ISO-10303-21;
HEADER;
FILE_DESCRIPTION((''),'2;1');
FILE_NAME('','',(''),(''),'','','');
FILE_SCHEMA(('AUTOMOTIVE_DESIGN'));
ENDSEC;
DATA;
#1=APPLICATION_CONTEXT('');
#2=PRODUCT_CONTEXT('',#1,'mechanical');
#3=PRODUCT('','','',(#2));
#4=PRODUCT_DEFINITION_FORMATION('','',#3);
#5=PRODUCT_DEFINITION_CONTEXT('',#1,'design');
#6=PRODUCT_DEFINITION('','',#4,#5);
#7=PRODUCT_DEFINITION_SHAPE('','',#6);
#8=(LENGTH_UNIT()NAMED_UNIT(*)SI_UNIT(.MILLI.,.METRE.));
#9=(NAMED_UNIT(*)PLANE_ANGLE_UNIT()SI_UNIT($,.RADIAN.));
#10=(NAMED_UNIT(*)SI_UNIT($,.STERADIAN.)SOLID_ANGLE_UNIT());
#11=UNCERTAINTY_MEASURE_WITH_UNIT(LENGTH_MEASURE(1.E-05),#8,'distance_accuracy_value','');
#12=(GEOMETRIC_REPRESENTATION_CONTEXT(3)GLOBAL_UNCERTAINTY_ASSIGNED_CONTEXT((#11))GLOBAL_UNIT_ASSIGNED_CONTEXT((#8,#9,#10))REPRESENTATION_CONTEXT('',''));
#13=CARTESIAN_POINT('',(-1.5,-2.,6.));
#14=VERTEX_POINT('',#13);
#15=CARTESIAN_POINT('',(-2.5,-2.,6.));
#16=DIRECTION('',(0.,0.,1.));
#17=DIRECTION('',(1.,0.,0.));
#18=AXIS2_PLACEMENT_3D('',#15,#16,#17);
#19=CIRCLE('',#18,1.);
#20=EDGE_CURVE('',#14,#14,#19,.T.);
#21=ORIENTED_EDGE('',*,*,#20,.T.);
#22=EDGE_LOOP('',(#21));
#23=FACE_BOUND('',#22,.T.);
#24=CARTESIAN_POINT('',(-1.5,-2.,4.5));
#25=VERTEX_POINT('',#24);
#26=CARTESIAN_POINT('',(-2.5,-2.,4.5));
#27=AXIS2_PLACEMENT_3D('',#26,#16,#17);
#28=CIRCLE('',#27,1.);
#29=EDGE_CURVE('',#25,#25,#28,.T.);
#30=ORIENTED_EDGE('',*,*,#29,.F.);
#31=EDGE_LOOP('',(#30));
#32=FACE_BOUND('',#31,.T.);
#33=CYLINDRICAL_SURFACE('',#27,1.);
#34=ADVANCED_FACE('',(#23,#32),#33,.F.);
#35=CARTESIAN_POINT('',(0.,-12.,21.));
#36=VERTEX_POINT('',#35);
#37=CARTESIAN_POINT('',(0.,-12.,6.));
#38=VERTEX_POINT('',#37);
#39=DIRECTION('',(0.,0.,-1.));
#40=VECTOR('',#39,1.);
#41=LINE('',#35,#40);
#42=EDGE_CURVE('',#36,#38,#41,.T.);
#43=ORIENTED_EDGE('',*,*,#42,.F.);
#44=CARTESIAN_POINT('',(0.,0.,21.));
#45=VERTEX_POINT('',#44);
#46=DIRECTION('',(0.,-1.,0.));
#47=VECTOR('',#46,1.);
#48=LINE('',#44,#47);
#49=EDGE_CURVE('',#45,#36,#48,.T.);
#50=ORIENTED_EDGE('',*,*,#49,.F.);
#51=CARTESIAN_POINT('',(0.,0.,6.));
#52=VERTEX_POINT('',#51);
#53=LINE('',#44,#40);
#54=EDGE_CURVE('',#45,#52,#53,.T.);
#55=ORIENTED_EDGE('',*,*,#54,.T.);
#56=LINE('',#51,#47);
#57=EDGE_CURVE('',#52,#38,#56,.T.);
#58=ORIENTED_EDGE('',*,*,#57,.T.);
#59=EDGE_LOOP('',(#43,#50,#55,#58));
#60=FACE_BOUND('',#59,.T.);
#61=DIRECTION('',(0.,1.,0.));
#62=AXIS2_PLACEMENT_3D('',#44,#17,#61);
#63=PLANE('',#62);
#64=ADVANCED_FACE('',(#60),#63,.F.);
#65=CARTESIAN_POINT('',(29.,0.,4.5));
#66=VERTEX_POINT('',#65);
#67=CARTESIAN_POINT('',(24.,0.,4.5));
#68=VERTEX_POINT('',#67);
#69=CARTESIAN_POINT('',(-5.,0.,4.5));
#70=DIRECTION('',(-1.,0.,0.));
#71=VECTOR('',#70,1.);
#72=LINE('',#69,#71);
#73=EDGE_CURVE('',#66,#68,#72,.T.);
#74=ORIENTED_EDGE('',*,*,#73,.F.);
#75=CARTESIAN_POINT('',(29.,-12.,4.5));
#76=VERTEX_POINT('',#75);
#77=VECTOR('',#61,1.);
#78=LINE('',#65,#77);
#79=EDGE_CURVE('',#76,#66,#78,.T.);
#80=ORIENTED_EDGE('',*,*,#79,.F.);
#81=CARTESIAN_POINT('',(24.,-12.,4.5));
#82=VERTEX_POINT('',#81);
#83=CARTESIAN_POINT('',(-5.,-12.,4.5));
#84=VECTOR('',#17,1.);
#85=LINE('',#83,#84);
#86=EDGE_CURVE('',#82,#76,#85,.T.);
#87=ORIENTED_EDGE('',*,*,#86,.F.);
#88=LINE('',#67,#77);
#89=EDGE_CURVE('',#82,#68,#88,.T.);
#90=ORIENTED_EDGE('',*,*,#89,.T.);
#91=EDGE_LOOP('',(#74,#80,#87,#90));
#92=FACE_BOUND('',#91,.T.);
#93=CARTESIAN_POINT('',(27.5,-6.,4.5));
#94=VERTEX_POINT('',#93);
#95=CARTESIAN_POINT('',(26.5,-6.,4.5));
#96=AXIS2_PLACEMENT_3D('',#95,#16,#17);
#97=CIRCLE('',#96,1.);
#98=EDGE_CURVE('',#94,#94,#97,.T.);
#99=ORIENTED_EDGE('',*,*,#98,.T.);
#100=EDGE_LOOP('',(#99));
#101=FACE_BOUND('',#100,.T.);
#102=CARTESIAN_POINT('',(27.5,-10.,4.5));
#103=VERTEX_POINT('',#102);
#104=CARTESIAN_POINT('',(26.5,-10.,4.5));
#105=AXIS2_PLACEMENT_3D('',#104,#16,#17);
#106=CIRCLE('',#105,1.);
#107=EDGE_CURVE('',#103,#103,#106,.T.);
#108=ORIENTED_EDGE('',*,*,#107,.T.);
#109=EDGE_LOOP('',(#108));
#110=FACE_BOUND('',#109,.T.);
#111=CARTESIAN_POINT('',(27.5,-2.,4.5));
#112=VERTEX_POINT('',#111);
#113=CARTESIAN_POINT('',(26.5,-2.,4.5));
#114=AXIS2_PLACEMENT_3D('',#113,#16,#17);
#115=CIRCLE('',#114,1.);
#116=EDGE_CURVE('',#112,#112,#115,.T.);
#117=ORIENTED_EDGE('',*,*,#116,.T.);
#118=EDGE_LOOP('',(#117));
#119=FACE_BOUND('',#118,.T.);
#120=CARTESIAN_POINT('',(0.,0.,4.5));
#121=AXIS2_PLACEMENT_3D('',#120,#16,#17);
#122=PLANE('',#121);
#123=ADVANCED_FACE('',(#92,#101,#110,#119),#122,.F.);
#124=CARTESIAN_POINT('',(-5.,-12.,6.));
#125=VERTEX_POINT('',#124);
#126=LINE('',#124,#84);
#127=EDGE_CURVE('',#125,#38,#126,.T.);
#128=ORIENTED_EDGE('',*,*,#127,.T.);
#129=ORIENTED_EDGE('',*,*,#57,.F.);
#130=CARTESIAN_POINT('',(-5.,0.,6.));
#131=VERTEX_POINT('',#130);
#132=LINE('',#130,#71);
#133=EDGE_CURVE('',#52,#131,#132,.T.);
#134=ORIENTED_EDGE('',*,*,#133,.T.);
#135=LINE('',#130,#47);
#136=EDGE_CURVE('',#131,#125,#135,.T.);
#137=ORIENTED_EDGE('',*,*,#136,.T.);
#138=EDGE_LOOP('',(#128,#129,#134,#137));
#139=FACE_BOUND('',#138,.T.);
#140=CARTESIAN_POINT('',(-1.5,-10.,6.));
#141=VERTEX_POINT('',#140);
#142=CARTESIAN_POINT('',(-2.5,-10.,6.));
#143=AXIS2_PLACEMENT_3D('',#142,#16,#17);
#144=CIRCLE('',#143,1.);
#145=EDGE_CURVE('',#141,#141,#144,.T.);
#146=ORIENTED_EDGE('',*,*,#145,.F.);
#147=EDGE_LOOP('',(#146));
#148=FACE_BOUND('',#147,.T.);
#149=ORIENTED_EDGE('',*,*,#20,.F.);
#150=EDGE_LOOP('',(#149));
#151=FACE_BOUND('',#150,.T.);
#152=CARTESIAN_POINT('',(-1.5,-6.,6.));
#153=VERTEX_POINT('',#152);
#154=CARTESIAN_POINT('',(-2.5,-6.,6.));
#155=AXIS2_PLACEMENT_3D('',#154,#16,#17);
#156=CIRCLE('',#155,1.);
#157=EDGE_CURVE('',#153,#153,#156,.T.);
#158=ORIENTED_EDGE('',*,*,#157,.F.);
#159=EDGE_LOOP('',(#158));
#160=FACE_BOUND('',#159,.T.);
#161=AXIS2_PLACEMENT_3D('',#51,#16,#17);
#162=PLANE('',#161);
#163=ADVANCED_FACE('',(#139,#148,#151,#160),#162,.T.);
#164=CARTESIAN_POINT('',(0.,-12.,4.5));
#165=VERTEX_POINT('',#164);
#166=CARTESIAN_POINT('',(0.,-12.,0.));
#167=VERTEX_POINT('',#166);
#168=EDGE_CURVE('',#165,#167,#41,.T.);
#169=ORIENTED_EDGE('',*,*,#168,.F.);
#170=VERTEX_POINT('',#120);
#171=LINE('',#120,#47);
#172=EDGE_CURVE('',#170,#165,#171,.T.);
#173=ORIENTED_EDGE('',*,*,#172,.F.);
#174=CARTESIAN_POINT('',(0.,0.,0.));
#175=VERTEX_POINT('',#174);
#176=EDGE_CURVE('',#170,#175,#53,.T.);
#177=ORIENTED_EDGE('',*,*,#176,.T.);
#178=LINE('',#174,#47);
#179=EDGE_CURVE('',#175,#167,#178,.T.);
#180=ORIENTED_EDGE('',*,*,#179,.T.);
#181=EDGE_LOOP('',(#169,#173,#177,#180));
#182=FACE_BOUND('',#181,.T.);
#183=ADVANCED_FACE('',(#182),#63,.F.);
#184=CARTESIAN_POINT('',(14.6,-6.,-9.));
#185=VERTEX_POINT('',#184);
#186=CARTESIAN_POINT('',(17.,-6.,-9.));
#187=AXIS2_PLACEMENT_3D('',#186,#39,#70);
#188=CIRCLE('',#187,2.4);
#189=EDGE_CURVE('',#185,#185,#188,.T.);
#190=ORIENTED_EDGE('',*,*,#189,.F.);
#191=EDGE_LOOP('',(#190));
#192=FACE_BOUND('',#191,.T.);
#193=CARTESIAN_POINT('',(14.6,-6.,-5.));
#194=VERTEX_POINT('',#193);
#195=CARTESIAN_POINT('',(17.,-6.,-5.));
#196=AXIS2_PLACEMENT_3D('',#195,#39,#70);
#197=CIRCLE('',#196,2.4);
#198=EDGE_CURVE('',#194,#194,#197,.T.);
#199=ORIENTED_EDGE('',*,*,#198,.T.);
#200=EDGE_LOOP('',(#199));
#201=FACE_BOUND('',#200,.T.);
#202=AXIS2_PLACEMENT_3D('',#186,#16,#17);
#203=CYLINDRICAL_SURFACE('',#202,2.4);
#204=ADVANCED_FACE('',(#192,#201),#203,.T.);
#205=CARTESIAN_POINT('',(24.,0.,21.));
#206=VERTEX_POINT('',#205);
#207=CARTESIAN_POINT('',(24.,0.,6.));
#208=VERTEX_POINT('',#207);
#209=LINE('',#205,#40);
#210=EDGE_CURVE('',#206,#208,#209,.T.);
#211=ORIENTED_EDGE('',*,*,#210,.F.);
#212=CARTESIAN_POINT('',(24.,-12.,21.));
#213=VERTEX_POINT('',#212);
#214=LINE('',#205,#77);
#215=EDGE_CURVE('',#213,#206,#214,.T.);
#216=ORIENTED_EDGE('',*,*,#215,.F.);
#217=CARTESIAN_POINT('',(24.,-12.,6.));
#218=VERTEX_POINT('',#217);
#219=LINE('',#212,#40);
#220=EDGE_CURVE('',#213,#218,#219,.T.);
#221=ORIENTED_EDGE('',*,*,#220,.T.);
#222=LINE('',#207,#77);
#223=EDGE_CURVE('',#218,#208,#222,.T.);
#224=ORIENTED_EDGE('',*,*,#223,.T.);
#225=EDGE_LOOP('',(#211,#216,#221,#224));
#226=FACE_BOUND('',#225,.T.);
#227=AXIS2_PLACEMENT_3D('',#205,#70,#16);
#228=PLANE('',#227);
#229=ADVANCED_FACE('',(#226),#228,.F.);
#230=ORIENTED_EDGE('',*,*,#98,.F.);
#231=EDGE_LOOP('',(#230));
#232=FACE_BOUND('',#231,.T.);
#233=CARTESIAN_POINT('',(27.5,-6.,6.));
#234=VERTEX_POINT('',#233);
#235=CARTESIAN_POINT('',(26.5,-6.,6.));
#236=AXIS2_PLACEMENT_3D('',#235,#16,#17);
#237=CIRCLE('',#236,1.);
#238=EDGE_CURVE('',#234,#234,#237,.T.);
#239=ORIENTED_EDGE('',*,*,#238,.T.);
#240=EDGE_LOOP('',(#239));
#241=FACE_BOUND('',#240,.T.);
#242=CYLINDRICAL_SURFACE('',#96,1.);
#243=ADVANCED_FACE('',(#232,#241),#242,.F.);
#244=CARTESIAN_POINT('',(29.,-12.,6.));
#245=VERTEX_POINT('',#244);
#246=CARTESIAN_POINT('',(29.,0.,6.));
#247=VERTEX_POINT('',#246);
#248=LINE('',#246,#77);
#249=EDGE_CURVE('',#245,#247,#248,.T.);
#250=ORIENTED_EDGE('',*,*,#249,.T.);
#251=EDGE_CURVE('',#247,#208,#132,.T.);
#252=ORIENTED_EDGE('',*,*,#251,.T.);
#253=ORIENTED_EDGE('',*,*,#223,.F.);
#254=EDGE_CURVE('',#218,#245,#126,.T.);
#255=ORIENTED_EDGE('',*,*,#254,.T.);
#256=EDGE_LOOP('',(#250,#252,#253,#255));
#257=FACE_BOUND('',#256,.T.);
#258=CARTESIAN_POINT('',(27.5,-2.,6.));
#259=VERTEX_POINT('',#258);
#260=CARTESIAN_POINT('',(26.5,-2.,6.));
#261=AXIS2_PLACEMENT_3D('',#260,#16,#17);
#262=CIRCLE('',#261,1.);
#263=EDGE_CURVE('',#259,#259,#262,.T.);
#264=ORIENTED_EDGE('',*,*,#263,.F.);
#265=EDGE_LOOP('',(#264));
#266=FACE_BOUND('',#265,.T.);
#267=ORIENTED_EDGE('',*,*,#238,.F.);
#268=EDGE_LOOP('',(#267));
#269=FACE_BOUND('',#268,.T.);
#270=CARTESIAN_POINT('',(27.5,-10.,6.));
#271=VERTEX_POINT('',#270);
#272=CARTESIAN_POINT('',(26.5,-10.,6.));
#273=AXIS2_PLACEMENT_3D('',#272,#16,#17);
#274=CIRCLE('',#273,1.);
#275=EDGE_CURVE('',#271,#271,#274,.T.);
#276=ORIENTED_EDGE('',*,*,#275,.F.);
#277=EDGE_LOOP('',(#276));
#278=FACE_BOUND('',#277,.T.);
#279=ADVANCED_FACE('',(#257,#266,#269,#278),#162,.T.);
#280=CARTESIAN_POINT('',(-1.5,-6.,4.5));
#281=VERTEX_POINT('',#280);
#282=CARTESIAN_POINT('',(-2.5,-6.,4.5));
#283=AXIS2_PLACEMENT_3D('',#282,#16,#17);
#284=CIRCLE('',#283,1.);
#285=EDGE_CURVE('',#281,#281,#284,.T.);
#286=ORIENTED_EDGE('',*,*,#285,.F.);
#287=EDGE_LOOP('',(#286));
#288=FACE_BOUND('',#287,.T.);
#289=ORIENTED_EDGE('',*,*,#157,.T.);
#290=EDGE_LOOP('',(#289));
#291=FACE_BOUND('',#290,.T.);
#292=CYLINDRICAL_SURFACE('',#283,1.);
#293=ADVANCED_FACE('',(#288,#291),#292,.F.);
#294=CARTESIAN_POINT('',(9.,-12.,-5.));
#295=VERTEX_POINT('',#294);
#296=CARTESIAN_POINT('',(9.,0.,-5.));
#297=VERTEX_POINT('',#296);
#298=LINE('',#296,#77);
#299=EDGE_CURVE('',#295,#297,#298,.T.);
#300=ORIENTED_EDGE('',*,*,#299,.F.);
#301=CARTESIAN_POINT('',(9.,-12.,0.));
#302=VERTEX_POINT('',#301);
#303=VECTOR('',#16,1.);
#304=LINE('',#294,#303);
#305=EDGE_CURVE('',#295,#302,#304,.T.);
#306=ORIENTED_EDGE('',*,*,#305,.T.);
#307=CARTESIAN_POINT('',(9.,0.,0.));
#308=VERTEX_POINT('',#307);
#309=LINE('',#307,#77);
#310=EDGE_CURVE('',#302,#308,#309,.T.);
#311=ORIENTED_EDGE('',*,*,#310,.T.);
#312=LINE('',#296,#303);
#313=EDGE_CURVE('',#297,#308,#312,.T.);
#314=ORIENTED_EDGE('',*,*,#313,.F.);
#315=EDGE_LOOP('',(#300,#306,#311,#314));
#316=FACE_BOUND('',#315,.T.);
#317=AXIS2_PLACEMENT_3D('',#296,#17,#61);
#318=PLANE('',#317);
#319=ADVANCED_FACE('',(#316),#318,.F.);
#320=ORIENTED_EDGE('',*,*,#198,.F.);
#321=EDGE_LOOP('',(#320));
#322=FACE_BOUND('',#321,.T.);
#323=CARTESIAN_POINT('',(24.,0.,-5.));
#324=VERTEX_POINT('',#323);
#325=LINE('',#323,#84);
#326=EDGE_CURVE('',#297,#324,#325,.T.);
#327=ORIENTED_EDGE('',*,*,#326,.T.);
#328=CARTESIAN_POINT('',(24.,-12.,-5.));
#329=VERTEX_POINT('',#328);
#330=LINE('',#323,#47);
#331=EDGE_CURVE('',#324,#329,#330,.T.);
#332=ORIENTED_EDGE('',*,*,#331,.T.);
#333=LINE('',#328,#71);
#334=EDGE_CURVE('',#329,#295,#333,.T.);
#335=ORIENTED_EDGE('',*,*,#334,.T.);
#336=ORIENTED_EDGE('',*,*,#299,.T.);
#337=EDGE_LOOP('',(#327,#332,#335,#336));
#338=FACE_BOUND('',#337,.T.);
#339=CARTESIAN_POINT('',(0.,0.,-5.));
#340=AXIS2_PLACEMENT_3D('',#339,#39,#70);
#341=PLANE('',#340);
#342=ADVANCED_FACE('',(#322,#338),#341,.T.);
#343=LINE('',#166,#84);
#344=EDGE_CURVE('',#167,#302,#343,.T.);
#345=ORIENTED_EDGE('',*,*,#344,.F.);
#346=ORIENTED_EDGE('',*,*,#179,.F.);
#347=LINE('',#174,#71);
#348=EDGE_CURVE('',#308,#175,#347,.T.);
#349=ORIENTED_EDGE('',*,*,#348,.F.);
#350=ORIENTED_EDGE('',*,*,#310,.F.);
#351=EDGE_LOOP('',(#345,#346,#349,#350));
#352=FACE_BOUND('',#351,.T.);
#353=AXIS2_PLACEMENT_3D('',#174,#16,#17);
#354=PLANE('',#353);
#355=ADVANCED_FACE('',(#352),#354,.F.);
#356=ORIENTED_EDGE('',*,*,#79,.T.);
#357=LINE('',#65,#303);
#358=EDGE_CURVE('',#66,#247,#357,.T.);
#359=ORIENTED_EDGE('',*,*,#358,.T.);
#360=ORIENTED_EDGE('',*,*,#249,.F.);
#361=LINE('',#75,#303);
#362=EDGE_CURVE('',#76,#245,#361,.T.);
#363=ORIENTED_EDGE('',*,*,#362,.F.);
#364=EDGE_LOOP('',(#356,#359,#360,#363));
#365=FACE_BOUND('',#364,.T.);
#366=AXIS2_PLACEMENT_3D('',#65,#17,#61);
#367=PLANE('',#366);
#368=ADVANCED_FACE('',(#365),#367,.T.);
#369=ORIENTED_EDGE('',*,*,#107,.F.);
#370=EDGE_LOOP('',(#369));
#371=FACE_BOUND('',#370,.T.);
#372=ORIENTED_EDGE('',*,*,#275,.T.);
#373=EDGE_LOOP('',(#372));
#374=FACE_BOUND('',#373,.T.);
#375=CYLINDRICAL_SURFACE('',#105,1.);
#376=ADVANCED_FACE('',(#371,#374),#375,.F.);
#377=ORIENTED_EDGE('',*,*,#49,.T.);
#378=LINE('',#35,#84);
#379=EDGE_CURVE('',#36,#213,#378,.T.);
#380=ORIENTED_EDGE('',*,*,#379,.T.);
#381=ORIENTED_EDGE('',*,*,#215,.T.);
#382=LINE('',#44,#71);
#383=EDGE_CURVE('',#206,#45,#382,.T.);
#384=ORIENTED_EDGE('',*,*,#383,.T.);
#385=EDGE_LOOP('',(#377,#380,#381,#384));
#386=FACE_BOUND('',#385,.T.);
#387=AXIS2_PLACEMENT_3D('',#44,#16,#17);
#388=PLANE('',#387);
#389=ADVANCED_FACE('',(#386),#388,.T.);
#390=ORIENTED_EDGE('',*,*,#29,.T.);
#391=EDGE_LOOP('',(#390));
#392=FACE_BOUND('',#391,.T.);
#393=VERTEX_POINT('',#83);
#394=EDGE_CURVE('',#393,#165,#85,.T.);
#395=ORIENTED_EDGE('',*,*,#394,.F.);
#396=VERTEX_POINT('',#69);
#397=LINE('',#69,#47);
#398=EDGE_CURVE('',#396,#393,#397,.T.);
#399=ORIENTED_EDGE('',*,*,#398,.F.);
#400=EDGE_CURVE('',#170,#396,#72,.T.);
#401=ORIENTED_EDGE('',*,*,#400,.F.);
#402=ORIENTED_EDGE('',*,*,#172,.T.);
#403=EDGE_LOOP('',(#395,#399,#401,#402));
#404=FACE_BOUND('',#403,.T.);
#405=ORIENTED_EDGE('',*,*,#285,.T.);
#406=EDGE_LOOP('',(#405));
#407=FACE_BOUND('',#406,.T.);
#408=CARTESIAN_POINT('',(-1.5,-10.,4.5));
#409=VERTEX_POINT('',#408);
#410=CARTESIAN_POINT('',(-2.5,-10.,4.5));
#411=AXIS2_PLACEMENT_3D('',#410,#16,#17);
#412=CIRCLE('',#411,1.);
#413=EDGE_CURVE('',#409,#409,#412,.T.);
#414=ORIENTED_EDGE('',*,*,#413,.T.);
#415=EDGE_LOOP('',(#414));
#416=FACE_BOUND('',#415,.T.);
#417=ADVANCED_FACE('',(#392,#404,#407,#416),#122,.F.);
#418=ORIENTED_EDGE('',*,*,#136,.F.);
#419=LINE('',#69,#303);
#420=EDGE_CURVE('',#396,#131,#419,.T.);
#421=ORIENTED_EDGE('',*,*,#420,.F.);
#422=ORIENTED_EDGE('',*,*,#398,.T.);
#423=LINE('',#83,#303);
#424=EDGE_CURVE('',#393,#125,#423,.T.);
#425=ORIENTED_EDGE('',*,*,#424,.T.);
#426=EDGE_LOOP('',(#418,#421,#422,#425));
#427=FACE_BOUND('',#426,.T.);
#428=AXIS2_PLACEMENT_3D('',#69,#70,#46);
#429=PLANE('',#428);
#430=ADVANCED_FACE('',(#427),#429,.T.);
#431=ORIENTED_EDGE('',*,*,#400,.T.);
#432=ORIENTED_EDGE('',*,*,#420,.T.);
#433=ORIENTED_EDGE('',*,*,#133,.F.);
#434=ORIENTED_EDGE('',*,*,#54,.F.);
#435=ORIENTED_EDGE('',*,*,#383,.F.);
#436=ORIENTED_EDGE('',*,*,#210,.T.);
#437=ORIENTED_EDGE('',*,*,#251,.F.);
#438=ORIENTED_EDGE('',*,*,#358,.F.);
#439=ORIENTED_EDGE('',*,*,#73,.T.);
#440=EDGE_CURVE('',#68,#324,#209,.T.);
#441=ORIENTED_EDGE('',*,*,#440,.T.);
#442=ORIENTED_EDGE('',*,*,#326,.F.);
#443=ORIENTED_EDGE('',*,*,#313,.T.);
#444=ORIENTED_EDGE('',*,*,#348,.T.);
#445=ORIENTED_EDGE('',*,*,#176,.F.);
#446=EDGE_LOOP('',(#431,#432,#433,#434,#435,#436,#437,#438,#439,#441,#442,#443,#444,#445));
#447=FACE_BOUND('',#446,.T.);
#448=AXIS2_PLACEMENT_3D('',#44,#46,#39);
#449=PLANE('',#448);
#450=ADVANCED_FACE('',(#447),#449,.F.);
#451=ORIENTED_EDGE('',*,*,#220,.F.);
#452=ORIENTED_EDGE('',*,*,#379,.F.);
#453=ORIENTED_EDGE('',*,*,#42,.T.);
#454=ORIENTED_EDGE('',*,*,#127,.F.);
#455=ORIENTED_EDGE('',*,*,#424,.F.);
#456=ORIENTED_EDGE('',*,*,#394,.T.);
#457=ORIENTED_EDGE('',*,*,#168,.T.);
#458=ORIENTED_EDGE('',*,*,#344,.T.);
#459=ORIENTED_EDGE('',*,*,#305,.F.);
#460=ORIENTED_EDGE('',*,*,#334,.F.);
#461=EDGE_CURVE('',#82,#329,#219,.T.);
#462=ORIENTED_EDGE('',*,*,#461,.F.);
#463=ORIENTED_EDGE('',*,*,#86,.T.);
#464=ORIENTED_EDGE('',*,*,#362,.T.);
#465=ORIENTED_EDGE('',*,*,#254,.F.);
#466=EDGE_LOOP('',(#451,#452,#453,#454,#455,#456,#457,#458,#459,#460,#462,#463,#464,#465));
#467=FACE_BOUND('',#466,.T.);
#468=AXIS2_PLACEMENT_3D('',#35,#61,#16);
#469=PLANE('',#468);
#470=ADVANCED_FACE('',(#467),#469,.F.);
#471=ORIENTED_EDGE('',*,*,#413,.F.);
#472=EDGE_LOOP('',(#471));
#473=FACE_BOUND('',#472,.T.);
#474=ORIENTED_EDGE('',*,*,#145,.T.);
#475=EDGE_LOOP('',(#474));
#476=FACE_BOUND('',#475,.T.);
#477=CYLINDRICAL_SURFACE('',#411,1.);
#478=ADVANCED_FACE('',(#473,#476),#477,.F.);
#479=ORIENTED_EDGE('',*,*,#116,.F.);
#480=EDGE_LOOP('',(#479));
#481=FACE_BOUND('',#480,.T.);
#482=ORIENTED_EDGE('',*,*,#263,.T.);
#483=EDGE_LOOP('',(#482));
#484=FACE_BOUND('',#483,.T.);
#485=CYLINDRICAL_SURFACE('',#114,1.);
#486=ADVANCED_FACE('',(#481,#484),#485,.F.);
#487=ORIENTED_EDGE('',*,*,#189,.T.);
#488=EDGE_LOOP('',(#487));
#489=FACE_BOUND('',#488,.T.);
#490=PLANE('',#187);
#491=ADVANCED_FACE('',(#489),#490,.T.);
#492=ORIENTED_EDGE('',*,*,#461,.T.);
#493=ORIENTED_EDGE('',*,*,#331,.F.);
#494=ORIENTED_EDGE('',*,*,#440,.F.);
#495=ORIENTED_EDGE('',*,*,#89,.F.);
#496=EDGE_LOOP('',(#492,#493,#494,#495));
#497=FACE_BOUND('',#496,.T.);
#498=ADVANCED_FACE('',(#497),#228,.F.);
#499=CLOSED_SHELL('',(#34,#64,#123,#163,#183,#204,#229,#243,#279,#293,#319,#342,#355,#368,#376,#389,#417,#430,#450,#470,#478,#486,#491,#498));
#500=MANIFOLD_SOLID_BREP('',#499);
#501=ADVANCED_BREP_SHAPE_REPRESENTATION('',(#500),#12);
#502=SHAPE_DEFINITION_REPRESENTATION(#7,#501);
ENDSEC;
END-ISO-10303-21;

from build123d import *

# Parameters (mm, degrees)
SKETCH1_W           = 24
SKETCH1_H           = 12
BOSS_EXTRUDE1_DEPTH = 21
SKETCH2_W           = 34
SKETCH2_H           = 12
SKETCH2_R           = 1
BOSS_EXTRUDE2_DEPTH = 1.5
SKETCH3_W           = 15
SKETCH3_H           = 12
BOSS_EXTRUDE3_DEPTH = 5
SKETCH4_R           = 2.4
BOSS_EXTRUDE4_DEPTH = 4


with BuildPart() as part:
    # Sketch1 → Boss-Extrude1 (new body)
    with BuildSketch(Plane.XY):
        with Locations((12, -6)):
            Rectangle(SKETCH1_W, SKETCH1_H)
    extrude(amount=BOSS_EXTRUDE1_DEPTH)

    # Sketch2 → Boss-Extrude2 (add)
    with BuildSketch(Plane.XY.offset(6)):
        with Locations((12, -6)):
            Rectangle(SKETCH2_W, SKETCH2_H)
        with Locations((-2.5, -2)):
            Circle(SKETCH2_R, mode=Mode.SUBTRACT)
        with Locations((26.5, -2)):
            Circle(SKETCH2_R, mode=Mode.SUBTRACT)
        with Locations((26.5, -6)):
            Circle(SKETCH2_R, mode=Mode.SUBTRACT)
        with Locations((26.5, -10)):
            Circle(SKETCH2_R, mode=Mode.SUBTRACT)
        with Locations((-2.5, -6)):
            Circle(SKETCH2_R, mode=Mode.SUBTRACT)
        with Locations((-2.5, -10)):
            Circle(SKETCH2_R, mode=Mode.SUBTRACT)
    extrude(amount=-BOSS_EXTRUDE2_DEPTH)

    # Sketch3 → Boss-Extrude3 (add)
    with BuildSketch(Plane(origin=(0, 0, 0), x_dir=(-1, 0, 0), z_dir=(0, 0, -1))):
        with Locations((-16.5, -6)):
            Rectangle(SKETCH3_W, SKETCH3_H)
    extrude(amount=BOSS_EXTRUDE3_DEPTH)

    # Sketch4 → Boss-Extrude4 (add)
    with BuildSketch(Plane(origin=(0, 0, -5), x_dir=(-1, 0, 0), z_dir=(0, 0, -1))):
        with Locations((-17, -6)):
            Circle(SKETCH4_R)
    extrude(amount=BOSS_EXTRUDE4_DEPTH)


solid = part.part
